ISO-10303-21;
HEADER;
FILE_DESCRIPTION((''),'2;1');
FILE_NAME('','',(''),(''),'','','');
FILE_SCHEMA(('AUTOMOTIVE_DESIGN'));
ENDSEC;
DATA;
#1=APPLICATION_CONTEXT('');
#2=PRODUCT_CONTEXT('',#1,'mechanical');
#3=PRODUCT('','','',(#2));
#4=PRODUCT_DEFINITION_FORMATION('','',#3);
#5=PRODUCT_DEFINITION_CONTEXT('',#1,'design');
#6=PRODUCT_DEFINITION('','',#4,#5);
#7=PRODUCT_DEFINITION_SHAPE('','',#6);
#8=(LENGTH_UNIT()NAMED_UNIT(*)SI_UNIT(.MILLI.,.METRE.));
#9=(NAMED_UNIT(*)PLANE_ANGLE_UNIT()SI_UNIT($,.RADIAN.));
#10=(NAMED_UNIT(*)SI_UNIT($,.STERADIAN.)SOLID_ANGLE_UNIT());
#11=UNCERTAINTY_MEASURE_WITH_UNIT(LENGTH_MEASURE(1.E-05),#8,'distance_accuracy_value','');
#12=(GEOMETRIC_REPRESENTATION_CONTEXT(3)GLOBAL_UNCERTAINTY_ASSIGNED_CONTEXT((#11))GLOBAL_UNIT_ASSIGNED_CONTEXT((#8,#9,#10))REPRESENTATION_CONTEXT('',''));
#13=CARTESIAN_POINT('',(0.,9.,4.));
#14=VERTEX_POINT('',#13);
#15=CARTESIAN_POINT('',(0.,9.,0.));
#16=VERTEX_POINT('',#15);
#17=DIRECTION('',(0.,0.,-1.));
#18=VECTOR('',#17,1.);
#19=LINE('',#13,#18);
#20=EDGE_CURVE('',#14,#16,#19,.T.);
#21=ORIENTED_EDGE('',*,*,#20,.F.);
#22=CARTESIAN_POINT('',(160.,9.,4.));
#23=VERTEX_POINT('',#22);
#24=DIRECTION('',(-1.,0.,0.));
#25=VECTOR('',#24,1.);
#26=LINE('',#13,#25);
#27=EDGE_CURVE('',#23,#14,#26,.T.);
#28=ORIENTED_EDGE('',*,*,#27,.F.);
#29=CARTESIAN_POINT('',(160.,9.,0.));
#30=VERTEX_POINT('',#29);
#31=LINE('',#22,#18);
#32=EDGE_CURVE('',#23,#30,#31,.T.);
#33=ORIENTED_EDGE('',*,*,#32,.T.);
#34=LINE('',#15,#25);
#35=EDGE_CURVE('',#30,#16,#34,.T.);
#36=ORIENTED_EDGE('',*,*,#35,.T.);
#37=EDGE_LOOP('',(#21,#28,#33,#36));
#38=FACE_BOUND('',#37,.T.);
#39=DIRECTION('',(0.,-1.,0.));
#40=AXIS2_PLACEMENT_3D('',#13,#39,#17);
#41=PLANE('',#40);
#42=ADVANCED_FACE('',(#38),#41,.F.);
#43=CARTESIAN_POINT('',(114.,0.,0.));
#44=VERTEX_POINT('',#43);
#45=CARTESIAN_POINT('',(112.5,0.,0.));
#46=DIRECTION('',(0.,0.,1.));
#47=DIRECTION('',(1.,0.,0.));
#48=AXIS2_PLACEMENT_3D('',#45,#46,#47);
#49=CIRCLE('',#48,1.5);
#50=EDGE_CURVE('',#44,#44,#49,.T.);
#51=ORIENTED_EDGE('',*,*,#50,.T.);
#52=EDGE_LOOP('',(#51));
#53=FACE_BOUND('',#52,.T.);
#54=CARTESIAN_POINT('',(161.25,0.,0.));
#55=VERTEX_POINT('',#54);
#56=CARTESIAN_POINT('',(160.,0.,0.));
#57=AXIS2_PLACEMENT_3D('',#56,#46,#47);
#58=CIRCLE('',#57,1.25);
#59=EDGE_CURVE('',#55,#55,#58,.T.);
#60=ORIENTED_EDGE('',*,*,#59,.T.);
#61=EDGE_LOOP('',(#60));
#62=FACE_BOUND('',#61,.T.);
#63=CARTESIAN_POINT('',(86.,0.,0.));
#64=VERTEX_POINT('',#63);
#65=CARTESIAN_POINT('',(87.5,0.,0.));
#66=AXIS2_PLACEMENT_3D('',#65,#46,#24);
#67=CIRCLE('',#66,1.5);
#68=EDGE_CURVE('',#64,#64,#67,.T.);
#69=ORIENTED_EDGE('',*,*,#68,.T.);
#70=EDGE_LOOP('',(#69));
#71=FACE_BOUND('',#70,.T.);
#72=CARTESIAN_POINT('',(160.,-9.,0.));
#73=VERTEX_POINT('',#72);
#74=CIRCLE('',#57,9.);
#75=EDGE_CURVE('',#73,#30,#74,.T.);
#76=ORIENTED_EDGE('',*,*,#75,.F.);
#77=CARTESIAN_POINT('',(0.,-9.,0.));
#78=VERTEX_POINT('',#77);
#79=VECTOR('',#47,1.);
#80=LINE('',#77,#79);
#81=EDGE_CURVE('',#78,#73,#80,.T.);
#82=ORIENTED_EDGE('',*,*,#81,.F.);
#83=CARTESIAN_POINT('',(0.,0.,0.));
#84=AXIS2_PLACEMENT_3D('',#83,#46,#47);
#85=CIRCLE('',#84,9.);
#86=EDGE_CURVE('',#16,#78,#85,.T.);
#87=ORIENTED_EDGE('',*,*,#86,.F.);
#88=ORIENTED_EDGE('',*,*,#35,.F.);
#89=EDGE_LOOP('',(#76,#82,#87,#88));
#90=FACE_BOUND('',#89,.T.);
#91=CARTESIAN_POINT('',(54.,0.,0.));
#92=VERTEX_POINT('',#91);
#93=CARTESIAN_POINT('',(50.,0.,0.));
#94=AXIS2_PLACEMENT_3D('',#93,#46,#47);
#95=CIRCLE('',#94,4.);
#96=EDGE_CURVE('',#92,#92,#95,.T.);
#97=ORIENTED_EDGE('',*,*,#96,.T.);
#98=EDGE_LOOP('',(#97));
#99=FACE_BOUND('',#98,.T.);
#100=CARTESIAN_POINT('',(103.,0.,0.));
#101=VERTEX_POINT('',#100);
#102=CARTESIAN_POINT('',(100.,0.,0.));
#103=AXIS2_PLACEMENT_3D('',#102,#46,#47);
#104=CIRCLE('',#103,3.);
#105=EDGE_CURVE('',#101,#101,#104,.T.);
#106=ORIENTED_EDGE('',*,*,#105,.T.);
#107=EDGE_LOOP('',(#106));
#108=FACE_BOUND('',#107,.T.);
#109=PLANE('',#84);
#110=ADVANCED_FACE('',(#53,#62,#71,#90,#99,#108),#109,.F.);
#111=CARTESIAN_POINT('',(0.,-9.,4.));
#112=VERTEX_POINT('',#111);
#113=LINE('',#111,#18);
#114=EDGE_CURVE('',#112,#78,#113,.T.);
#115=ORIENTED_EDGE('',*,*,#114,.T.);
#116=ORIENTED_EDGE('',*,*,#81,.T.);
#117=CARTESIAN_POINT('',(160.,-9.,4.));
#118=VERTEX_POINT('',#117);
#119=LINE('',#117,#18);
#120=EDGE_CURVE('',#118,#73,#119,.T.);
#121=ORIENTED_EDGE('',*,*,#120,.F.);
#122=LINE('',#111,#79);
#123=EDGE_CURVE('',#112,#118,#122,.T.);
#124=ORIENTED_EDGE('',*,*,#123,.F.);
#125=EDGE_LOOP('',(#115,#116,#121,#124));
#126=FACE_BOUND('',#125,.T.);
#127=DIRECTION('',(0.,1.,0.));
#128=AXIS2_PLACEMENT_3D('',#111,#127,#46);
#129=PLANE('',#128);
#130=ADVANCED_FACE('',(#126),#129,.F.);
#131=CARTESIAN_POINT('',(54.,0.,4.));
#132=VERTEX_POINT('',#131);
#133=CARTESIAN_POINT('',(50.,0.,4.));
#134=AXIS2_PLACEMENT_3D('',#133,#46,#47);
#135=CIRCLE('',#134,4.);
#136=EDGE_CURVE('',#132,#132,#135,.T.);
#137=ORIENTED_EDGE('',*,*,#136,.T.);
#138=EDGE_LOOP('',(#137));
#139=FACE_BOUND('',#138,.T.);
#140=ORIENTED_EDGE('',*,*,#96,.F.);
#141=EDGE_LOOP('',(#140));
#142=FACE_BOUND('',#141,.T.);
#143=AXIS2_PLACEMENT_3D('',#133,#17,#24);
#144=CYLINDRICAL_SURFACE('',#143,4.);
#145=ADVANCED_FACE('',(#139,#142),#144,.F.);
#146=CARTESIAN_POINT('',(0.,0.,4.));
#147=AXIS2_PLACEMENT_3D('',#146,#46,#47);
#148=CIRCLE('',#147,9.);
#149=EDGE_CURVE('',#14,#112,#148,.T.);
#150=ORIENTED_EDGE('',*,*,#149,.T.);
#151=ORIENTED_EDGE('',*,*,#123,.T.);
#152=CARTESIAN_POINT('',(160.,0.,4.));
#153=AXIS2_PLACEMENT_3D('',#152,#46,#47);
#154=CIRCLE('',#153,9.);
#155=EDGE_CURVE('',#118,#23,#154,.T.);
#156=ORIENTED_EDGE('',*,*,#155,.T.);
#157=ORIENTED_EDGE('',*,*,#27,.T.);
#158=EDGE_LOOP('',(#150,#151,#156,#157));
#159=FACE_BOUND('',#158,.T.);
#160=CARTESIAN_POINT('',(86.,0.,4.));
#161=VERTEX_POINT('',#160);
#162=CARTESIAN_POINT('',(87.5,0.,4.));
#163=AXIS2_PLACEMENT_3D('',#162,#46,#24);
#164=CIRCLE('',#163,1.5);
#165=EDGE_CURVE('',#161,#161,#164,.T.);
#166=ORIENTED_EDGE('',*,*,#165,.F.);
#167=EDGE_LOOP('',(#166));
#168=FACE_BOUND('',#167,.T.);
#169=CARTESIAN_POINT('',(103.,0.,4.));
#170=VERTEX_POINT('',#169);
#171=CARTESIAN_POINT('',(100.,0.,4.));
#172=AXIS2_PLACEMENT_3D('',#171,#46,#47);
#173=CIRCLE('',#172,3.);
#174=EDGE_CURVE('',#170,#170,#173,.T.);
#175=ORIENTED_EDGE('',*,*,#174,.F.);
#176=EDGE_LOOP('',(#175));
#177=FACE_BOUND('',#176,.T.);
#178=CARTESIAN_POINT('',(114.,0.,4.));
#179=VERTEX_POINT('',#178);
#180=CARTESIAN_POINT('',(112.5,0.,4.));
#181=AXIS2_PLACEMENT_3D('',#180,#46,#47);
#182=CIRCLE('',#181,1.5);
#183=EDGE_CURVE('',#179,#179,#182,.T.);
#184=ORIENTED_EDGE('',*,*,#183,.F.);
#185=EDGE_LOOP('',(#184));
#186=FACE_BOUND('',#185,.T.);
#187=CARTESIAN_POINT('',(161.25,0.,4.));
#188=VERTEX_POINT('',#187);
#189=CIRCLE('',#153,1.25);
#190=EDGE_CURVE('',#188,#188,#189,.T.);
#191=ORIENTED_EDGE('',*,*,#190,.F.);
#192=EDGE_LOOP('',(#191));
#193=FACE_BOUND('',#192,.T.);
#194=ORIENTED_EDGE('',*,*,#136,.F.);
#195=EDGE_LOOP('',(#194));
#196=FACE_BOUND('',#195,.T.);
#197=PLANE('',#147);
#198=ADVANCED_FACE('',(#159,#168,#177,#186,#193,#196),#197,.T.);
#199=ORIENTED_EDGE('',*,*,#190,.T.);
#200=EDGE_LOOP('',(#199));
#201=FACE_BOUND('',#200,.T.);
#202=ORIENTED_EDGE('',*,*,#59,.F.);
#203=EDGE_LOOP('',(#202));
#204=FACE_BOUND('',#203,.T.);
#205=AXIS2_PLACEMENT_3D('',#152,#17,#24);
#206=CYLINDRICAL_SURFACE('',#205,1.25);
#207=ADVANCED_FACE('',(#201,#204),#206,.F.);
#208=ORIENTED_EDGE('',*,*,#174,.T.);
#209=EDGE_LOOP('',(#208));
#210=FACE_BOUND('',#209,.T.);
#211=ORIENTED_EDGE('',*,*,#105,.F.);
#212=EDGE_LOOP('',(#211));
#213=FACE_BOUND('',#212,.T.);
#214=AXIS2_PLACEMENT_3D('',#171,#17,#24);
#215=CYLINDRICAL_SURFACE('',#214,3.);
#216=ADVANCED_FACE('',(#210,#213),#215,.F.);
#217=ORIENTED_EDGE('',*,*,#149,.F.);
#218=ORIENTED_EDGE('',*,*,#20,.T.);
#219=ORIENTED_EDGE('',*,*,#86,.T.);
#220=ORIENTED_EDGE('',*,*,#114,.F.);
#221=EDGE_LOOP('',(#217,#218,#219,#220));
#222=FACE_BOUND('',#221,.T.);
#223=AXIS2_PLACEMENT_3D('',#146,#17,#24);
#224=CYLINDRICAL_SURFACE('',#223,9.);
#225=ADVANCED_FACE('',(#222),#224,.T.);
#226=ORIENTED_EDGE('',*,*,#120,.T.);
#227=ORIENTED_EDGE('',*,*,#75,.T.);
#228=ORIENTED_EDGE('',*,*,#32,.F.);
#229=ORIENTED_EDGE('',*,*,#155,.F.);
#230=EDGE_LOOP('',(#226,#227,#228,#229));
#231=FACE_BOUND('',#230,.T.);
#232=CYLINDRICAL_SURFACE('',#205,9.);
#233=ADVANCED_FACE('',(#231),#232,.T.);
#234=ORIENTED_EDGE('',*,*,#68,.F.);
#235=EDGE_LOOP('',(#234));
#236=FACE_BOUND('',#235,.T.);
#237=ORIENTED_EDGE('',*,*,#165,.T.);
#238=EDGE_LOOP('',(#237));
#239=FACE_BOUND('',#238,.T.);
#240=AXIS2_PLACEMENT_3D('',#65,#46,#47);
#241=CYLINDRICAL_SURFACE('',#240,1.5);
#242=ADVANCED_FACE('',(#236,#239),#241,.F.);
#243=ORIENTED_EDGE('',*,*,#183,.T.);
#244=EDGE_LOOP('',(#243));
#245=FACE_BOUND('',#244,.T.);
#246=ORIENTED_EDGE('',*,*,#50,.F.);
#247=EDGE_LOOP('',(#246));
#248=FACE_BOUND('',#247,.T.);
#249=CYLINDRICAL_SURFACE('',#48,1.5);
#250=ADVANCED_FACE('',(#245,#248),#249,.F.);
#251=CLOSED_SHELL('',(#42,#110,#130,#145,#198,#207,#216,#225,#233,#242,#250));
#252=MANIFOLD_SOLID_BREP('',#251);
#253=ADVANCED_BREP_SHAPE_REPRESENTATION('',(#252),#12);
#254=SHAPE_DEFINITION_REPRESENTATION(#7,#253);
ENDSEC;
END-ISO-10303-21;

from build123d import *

# Parameters (mm, degrees)
SKETCH_1_R          = 1.25
SKETCH_1_R_2        = 3
SKETCH_1_R_3        = 4
EXTRUDE_1_DEPTH     = 4
SKETCH_2_R          = 1.5
CUT_EXTRUDE_1_DEPTH = 170.286738996


with BuildPart() as part:
    # ｽｹｯﾁ1 → ﾎﾞｽ - 押し出し1 (new body)
    with BuildSketch(Plane.XY):
        with BuildLine():
            Line((0, 9), (160, 9))
            ThreePointArc((160, 9), (169, 0), (160, -9))
            Line((160, -9), (0, -9))
            ThreePointArc((0, -9), (-9, 0), (0, 9))
        make_face()
        with Locations((160, 0)):
            Circle(SKETCH_1_R, mode=Mode.SUBTRACT)
        with Locations((100, 0)):
            Circle(SKETCH_1_R_2, mode=Mode.SUBTRACT)
        with Locations((50, 0)):
            Circle(SKETCH_1_R_3, mode=Mode.SUBTRACT)
    extrude(amount=EXTRUDE_1_DEPTH)

    # ｽｹｯﾁ2 → ｶｯﾄ - 押し出し1 (cut, through all)
    with BuildSketch(Plane.XY.offset(4)):
        with Locations((112.5, 0)):
            Circle(SKETCH_2_R)
        with Locations(Location((87.5, 0, 0), (0, 0, 180))):
            Circle(SKETCH_2_R)
    extrude(amount=-CUT_EXTRUDE_1_DEPTH, mode=Mode.SUBTRACT)


solid = part.part
